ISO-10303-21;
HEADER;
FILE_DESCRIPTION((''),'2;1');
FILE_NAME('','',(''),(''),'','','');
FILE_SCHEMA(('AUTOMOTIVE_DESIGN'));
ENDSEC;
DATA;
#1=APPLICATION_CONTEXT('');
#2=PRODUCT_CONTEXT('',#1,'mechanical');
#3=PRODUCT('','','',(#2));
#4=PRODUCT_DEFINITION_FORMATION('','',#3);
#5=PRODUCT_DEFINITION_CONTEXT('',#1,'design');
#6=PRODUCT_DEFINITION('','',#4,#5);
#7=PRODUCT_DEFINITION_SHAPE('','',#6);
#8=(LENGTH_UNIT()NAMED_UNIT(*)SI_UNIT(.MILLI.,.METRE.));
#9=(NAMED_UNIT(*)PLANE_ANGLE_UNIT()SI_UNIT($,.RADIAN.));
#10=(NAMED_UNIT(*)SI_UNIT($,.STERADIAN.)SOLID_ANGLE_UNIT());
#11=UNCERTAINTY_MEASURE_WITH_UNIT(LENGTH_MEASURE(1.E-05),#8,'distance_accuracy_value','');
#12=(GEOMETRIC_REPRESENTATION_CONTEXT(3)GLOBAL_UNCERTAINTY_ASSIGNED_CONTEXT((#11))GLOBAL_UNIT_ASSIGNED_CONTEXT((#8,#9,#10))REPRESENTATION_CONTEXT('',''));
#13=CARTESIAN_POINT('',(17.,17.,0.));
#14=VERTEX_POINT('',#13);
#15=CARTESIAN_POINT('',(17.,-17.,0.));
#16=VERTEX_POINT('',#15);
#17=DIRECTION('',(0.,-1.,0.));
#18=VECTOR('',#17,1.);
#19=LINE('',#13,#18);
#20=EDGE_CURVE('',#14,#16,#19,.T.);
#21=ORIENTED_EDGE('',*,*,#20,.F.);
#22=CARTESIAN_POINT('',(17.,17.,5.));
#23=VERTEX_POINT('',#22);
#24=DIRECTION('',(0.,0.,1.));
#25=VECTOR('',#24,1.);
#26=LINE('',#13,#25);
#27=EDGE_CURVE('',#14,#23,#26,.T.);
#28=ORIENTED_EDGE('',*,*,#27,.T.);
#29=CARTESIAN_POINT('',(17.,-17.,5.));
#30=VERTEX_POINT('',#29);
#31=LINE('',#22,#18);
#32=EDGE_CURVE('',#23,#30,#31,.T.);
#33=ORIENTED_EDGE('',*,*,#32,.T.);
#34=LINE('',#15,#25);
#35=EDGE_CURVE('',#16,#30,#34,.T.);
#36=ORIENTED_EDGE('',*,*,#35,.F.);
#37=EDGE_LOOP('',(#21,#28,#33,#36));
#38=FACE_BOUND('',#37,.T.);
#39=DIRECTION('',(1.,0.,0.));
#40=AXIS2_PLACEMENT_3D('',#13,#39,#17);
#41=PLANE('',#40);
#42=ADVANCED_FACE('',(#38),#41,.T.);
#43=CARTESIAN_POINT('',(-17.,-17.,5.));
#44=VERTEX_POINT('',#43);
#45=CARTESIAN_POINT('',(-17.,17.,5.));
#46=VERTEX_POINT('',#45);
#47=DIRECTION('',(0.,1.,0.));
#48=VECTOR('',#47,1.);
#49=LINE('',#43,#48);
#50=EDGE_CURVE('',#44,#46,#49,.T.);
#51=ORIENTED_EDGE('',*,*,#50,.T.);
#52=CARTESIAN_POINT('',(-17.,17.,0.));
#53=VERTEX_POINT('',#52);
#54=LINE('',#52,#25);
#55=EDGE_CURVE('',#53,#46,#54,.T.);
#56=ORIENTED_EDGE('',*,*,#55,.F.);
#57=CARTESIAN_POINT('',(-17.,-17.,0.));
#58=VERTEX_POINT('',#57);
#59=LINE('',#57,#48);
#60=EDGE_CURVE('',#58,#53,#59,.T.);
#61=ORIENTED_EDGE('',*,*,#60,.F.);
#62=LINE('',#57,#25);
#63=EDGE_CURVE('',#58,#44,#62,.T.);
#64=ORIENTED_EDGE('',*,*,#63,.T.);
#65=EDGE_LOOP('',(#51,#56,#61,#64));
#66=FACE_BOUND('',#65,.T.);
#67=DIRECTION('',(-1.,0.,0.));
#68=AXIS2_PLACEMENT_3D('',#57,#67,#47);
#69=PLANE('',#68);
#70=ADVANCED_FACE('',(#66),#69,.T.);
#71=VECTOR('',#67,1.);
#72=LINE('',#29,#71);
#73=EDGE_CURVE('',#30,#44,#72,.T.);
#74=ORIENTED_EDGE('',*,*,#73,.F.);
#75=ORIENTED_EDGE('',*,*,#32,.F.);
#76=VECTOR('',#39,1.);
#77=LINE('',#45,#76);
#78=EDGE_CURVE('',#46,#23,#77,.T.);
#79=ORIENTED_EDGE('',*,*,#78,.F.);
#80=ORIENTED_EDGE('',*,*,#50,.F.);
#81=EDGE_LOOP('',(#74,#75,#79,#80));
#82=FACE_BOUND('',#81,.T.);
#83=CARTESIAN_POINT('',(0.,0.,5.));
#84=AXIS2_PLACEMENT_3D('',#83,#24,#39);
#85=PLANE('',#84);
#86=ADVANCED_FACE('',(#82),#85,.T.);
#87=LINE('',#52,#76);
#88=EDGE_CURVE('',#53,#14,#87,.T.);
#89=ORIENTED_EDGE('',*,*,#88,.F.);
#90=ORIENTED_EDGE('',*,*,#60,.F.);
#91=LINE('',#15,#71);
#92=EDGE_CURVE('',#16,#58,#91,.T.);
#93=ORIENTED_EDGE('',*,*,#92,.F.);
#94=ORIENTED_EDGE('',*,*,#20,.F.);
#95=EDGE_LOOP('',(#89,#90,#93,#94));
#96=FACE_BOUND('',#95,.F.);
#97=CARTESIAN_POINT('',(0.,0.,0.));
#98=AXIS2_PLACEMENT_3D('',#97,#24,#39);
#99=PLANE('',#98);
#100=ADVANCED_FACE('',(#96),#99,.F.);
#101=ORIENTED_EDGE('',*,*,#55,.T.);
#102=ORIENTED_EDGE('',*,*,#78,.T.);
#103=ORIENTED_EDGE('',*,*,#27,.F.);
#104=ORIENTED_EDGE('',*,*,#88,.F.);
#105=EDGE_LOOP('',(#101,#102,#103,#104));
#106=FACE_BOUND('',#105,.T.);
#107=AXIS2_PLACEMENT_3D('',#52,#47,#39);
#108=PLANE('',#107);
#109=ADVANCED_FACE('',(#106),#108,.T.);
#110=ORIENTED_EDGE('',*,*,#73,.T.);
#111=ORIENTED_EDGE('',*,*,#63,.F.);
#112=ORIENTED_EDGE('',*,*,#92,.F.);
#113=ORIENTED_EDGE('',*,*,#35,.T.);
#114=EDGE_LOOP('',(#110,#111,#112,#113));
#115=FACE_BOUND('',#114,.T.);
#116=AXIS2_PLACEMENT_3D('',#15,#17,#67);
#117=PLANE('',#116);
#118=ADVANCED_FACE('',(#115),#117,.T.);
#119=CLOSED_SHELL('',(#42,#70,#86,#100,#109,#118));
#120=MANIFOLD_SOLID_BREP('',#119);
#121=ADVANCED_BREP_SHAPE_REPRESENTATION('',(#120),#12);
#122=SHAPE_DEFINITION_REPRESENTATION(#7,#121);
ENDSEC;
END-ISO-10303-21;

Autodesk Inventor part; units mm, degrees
ref_plane "YZ Plane" through (0, 0, 0) normal (1, 0, 0) x (0, 1, 0)
ref_plane "XZ Plane" through (0, 0, 0) normal (0, 1, 0) x (-1, 0, 0)
ref_plane "XY Plane" through (0, 0, 0) normal (0, 0, 1) x (1, 0, 0)
sketch "Sketch1" plane through (0, 0, 0) normal (0, 0, 1) x (1, 0, 0)
  line L0 (0, 20.1746) -> (0, -21.4461) construction
  line L1 (-20.2028, 0) -> (20.1685, 0) construction
  line L2 (-17, 17) -> (17, 17)
  line L3 (17, 17) -> (17, -17)
  line L4 (17, -17) -> (-17, -17)
  line L5 (-17, -17) -> (-17, 17)
  point P0 (0, 0)
  dimension "d0" = 34
  dimension "d1" = 17
  dimension "d2" = 34
  dimension "d3" = 17
extrude "Extrusion1" add sketch "Sketch1" along normal blind 5
fillet "Fillet1" [suppressed]
chamfer "Chamfer1" [suppressed]
equation "\"d0\" = height"
equation "\"d1\" = 0.5 * height"
equation "\"d2\" = width"
equation "\"d3\" = 0.5 * width"
equation "\"d4\" = thickness"
equation "\"fillet\" = 0"
equation "\"chamfer\" = 0"
equation "\"thickness\" = 5"
equation "\"width\" = 34"
equation "\"height\" = 34"
properties part number "Plate Sharp Corners (mm) 34 x 34 x 5" material "PET Plastic"
